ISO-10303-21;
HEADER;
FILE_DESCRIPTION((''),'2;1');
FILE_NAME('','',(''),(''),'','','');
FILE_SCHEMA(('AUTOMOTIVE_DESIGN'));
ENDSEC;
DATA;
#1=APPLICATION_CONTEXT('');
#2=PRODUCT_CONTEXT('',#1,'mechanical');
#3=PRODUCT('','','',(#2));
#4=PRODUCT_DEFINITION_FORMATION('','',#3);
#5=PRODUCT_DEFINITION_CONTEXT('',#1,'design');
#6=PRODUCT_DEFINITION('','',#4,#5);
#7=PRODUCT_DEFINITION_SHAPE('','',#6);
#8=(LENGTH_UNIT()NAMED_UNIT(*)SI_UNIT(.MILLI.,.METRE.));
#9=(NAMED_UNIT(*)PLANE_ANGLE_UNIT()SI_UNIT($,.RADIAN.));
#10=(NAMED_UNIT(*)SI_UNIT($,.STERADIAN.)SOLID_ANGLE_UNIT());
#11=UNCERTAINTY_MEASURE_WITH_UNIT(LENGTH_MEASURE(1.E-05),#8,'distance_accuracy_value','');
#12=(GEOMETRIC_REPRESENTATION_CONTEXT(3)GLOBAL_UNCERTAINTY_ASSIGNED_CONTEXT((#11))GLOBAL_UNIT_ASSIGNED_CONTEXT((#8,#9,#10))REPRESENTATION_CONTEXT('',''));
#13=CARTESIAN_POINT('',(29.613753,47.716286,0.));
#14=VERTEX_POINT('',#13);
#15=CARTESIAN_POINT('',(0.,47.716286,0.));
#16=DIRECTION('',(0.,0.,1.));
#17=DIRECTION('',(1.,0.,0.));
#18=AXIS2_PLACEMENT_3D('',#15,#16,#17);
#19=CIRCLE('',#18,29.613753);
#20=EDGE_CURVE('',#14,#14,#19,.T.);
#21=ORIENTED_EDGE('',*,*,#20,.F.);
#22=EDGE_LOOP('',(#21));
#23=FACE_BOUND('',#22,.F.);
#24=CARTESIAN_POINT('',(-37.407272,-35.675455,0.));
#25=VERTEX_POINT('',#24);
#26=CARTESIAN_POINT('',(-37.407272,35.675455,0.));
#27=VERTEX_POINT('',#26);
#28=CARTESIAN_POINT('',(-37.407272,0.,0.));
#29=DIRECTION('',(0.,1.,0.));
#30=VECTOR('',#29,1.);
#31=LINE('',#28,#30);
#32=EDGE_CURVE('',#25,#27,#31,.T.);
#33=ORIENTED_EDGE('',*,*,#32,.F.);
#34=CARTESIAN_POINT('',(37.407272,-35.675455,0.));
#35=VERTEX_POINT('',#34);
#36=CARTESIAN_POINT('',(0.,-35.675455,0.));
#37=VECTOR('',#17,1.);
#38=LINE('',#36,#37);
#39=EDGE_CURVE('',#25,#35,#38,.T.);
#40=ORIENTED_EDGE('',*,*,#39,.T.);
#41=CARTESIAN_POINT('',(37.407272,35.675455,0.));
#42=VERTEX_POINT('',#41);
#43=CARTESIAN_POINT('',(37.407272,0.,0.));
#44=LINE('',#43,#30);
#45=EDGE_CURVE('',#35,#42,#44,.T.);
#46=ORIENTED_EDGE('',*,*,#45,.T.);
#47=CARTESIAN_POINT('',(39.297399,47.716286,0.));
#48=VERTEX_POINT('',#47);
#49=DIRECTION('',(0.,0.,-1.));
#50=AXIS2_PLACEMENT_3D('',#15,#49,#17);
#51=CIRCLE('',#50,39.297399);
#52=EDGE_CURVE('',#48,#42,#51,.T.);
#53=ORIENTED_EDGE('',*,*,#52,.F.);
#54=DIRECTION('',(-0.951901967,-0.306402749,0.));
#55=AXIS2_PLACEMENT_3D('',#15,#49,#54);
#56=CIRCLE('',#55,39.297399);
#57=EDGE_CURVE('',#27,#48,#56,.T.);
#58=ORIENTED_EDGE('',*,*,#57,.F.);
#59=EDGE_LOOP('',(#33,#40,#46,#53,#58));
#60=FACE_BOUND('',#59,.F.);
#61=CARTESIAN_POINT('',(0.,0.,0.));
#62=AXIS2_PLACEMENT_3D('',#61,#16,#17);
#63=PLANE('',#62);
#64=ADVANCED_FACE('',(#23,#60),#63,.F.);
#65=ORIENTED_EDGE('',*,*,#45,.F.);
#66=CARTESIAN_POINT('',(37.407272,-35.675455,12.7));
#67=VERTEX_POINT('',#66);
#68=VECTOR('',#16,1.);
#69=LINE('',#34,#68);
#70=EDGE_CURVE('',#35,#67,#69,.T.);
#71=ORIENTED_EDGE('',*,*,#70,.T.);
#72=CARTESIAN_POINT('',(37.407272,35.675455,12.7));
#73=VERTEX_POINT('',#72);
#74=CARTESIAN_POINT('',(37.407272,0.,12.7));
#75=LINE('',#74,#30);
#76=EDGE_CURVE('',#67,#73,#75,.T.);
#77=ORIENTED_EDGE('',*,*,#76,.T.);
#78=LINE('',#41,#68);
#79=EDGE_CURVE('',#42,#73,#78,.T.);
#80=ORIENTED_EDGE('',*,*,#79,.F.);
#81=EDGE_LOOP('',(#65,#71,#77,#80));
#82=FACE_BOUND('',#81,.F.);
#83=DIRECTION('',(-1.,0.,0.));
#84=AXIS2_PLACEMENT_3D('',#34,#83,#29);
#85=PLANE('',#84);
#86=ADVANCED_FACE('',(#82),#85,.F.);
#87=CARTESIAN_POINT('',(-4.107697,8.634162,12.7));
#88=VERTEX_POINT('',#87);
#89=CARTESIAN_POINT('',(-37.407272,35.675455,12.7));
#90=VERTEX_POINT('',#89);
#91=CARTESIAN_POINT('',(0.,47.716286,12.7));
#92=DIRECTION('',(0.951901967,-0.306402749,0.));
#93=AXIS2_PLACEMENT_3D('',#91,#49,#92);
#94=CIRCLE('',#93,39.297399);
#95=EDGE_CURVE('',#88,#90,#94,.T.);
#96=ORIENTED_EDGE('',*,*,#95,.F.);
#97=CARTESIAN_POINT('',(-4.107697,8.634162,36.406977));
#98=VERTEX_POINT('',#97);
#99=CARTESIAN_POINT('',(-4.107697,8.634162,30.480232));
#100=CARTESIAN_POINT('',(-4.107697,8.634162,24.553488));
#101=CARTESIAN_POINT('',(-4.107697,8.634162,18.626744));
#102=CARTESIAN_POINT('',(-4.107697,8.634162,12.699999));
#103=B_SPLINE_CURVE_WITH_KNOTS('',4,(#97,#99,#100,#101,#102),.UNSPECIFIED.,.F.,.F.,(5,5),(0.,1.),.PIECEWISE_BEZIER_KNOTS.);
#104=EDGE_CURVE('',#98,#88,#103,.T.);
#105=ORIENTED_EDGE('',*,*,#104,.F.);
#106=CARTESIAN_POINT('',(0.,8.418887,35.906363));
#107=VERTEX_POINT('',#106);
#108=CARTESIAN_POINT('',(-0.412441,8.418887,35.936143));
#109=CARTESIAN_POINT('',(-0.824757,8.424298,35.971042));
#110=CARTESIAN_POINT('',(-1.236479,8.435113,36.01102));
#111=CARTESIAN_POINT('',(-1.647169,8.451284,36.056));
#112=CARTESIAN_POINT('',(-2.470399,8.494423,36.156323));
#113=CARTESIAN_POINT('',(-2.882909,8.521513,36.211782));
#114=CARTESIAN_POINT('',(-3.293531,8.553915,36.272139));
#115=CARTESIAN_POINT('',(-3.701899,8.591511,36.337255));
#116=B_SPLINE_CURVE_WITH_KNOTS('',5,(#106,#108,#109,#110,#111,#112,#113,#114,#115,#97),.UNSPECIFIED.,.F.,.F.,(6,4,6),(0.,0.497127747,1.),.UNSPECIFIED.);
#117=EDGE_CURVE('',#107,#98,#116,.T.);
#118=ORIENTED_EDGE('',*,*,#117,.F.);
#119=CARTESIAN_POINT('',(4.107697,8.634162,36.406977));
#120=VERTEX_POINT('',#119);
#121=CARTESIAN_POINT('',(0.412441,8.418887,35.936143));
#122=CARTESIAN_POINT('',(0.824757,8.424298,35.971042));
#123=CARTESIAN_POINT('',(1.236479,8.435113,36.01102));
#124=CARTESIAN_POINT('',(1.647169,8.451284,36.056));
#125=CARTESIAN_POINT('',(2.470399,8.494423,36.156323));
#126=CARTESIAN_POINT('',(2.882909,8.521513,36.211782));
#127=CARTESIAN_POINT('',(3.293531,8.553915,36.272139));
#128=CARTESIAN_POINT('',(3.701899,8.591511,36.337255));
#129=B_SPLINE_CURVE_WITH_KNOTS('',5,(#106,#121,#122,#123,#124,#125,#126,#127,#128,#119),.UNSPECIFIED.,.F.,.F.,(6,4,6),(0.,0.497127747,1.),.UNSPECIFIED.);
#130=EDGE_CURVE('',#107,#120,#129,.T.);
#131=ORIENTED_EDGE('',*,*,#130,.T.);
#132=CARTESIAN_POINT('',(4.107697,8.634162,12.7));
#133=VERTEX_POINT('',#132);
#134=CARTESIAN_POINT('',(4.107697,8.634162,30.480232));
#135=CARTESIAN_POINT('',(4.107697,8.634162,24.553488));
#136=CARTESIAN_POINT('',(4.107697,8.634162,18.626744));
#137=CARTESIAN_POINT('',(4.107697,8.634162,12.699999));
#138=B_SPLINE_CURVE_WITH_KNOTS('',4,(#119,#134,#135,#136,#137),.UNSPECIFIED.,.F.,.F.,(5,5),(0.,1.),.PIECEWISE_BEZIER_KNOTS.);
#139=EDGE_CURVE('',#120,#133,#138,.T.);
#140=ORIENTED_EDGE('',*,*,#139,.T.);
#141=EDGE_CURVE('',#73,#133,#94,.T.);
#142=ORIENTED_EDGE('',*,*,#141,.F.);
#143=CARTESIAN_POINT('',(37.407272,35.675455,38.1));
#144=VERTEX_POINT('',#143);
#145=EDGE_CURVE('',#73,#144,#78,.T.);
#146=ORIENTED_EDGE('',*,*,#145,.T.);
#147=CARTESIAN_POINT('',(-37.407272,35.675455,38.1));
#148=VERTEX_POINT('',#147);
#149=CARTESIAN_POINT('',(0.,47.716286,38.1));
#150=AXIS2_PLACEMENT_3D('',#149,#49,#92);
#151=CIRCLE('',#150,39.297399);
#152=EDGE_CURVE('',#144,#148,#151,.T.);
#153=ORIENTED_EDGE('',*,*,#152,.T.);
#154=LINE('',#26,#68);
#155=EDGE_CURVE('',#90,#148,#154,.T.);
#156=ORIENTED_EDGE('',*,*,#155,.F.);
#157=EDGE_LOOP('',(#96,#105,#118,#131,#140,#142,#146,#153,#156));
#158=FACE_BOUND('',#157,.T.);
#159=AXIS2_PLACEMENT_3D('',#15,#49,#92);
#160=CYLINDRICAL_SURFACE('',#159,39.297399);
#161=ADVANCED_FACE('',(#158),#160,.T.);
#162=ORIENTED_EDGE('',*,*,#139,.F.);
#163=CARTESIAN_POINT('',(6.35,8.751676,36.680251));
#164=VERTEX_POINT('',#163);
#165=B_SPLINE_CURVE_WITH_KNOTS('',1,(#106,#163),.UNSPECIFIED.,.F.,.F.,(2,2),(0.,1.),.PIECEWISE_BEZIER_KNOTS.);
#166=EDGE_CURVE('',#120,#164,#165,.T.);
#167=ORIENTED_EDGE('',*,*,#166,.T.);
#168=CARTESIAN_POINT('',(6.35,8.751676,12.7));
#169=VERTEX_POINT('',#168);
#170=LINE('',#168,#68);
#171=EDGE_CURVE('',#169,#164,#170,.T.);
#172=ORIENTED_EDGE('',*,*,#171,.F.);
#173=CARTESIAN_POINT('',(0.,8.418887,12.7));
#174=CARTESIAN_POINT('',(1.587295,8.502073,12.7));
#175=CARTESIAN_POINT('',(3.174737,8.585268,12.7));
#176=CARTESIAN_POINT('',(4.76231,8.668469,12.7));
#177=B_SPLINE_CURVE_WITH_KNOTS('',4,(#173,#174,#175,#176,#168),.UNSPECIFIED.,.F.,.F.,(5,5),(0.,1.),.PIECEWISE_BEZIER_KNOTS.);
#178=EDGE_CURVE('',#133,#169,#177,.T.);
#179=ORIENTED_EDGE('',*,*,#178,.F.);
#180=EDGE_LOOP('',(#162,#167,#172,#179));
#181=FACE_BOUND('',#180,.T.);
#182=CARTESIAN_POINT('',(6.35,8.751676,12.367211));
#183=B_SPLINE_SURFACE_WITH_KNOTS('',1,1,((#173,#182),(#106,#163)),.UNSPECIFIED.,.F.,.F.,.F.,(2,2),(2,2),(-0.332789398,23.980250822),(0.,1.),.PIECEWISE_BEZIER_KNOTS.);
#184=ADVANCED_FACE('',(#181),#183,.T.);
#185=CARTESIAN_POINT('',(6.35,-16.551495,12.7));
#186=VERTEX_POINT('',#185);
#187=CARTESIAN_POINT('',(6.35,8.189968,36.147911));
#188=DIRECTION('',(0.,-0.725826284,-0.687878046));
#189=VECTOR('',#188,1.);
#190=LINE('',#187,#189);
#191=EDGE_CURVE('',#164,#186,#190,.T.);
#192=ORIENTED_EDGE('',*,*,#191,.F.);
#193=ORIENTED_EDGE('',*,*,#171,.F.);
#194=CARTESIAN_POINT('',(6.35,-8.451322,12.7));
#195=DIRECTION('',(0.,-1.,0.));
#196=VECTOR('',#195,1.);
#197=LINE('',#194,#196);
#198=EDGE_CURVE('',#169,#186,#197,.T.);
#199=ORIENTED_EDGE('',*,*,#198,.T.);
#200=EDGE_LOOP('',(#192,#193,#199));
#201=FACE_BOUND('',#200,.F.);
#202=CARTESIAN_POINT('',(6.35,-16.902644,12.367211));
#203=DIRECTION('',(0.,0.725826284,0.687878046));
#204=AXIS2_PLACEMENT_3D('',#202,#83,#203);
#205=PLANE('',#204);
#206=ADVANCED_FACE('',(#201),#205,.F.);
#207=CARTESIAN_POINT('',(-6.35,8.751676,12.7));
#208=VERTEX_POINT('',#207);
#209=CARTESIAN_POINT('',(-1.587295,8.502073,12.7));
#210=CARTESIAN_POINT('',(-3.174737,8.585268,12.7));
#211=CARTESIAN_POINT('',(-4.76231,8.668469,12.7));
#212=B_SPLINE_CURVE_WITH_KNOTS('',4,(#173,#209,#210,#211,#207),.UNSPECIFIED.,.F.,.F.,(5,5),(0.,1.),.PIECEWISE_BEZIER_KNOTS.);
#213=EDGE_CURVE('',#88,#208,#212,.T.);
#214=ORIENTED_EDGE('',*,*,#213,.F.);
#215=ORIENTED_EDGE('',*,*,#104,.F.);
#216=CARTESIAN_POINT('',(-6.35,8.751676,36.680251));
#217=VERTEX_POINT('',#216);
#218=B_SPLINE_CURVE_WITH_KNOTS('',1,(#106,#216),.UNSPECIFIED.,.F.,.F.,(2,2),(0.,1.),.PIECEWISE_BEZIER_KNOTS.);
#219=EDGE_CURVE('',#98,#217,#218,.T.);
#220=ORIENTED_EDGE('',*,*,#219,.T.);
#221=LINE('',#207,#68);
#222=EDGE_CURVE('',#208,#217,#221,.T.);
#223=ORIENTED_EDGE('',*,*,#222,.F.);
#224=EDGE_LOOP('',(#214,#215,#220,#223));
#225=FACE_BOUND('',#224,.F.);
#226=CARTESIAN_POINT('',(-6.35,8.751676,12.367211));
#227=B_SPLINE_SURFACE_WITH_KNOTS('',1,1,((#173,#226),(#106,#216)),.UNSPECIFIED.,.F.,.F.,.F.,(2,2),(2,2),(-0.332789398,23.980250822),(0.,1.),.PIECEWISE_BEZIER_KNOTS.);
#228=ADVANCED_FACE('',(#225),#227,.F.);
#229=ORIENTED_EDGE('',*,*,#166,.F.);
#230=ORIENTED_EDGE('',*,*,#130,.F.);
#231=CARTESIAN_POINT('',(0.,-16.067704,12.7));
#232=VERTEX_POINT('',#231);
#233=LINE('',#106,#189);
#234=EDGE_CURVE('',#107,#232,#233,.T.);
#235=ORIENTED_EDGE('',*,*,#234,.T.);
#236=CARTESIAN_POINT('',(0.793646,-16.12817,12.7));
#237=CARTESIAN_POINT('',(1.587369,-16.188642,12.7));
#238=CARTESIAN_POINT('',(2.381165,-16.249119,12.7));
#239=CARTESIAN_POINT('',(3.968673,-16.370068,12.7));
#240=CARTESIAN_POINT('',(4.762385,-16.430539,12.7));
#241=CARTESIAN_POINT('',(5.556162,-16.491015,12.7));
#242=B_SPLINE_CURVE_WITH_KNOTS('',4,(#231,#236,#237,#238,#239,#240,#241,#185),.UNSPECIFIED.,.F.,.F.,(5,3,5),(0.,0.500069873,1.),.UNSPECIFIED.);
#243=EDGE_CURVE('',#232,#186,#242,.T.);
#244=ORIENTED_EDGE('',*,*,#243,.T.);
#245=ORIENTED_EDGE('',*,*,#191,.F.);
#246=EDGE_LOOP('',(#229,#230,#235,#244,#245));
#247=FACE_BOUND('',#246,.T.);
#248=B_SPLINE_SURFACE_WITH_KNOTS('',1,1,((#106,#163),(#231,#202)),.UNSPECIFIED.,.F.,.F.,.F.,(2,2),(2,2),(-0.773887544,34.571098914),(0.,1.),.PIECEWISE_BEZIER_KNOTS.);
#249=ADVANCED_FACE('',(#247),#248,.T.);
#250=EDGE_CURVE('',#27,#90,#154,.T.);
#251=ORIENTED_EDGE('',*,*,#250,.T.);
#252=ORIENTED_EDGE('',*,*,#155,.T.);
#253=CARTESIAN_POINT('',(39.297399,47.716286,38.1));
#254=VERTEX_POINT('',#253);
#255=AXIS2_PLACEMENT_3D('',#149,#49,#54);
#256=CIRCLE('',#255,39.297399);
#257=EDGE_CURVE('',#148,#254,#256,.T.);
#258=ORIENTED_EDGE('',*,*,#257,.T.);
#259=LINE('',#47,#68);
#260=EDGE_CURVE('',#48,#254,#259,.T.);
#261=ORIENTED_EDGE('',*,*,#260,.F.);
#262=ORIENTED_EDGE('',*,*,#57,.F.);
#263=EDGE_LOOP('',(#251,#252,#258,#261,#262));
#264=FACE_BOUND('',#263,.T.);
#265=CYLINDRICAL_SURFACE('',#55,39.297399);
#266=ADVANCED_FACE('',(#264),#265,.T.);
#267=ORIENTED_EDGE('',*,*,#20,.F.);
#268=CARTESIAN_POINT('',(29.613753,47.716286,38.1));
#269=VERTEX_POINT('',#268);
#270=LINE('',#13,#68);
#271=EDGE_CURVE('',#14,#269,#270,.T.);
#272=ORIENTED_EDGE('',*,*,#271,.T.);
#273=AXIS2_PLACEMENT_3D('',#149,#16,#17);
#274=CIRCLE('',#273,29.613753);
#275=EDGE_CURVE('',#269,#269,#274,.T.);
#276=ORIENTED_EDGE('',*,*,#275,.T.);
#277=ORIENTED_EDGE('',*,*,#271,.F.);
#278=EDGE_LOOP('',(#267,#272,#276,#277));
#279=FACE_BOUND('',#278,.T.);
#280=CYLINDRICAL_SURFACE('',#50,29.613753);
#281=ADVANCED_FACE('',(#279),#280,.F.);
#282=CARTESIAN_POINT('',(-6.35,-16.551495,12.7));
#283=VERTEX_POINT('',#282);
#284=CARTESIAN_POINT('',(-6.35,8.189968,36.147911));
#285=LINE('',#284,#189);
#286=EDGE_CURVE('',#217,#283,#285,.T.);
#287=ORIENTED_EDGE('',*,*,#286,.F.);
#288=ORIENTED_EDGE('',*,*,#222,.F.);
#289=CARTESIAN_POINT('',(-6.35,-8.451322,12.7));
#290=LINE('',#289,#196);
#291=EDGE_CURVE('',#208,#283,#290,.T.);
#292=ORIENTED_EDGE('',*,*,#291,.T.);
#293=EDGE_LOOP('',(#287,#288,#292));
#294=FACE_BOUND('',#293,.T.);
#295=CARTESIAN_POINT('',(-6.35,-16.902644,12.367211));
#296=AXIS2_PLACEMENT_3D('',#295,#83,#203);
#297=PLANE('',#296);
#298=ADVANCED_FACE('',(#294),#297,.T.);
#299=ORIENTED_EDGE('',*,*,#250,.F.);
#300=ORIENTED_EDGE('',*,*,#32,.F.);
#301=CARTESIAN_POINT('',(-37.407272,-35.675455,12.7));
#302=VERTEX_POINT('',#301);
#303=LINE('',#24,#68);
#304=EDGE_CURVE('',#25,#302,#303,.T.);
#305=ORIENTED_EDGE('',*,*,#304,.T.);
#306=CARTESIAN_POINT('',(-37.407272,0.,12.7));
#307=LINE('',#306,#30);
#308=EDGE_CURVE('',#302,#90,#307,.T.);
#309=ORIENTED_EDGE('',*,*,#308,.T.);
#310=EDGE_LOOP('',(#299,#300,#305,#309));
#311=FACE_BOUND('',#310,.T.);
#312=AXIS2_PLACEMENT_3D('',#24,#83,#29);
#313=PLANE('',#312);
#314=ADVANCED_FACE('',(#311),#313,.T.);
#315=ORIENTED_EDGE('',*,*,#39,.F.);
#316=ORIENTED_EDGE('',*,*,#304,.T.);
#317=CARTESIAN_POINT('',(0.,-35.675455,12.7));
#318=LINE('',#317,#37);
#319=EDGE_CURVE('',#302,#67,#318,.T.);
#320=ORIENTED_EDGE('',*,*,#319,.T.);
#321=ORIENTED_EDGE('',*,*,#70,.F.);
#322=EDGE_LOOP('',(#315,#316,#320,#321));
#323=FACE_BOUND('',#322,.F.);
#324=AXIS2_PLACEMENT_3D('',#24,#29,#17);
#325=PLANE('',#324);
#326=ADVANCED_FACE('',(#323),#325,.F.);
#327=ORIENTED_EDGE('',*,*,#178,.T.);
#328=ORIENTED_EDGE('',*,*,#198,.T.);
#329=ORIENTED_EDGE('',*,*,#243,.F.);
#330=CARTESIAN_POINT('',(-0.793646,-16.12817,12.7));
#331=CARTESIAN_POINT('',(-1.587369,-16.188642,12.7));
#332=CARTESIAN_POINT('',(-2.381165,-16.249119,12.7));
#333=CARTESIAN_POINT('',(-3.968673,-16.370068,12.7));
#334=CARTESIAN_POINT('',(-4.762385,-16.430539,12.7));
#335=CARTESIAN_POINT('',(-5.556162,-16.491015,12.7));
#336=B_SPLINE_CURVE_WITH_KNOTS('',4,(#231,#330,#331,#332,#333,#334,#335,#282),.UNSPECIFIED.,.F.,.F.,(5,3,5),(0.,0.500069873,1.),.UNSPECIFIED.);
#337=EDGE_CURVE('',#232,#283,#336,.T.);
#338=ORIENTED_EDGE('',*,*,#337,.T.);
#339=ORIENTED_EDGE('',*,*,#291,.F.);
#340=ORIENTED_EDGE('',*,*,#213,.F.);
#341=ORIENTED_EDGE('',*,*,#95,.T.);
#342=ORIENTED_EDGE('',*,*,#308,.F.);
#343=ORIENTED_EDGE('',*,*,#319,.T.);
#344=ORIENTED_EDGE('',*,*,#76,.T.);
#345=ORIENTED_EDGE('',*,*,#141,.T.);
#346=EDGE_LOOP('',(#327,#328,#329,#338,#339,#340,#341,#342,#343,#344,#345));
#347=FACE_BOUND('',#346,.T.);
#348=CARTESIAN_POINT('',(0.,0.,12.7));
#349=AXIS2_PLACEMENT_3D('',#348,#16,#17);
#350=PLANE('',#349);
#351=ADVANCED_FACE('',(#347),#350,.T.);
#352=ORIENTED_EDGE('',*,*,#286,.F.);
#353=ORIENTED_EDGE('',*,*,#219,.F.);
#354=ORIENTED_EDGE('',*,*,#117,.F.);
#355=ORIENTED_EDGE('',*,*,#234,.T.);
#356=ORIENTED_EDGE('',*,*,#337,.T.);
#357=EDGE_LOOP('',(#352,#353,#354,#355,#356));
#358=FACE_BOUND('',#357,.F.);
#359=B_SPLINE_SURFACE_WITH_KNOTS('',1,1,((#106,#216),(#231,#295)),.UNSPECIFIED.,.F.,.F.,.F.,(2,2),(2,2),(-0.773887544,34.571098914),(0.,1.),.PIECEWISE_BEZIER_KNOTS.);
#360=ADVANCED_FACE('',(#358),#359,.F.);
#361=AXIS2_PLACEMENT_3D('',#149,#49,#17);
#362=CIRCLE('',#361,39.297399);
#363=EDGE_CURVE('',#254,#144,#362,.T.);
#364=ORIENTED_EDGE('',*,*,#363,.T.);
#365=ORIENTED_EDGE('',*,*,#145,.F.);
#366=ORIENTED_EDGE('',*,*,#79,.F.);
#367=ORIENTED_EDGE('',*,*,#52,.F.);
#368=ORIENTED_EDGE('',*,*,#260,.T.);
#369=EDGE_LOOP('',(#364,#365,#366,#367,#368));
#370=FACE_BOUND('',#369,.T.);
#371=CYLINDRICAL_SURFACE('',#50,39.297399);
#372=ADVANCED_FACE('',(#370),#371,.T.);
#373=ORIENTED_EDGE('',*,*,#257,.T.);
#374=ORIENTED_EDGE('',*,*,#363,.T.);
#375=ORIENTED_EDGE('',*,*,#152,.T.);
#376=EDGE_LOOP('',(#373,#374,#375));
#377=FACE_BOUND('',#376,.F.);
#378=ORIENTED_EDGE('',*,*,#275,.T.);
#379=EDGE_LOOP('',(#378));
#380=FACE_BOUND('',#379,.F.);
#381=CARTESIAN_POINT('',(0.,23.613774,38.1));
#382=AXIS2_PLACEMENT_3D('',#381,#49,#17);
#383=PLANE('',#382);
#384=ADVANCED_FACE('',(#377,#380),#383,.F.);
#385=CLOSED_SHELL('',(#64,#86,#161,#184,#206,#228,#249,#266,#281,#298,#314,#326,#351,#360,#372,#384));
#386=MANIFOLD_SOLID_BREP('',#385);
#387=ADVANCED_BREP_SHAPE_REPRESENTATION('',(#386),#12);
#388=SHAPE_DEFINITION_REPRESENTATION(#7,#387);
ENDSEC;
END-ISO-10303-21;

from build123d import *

# Parameters (mm, degrees)
F0_W     = 74.814543128
F0_H     = 71.3509097695
F1_DEPTH = 12.7
F3_DEPTH = 38.1
F4_DEPTH = 38.1
F6_DEPTH = 6.35
F6_TAPER = -3


with BuildPart() as f1:
    # F0 (on Top) → F1 (new body)
    with BuildSketch(Plane.XY):
        Rectangle(F0_W, F0_H)
    extrude(amount=F1_DEPTH)

    # F2 (on face) → F3 (join)
    with BuildSketch(Plane(origin=(0, 0, 0), x_dir=(1, 0, 0), z_dir=(0, 0, -1))):
        with BuildLine():
            Line((27.0553643694, -35.6754548848), (37.407271564, -35.6754548848))
            ThreePointArc((37.407271564, -35.6754548848), (0, -8.418886875), (-37.407271564, -35.6754548848))
            Line((-37.407271564, -35.6754548848), (-27.0553643694, -35.6754548848))
            ThreePointArc((-27.0553643694, -35.6754548848), (0, -18.1025332163), (27.0553643694, -35.6754548848))
        make_face()
        with BuildLine():
            ThreePointArc((-37.407271564, -35.6754548848), (-6.0941405685, -86.5382776277), (39.2973991584, -47.7162860334))
            ThreePointArc((39.2973991584, -47.7162860334), (38.8219915943, -41.6221454649), (37.407271564, -35.6754548848))
            Line((37.407271564, -35.6754548848), (27.0553643694, -35.6754548848))
            ThreePointArc((27.0553643694, -35.6754548848), (28.9670953732, -41.5614715317), (29.6137528171, -47.7162860334))
            ThreePointArc((29.6137528171, -47.7162860334), (-6.1548145016, -76.6833814066), (-27.0553643694, -35.6754548848))
            Line((-27.0553643694, -35.6754548848), (-37.407271564, -35.6754548848))
        make_face()
    extrude(amount=-F3_DEPTH)

    # F4 (cut, symmetric): a face of the model
    f4_faces = [f1.faces().sort_by_distance(p)[0] for p in [
        (0, 28.4298339612, 12.7),
    ]]
    extrude(f4_faces, amount=F4_DEPTH, both=True, mode=Mode.SUBTRACT)

    # F5 (on Right) → F6 (join, symmetric)
    with BuildSketch(Plane.YZ):
        Polygon((-16.0677041858, 12.7), (8.418886875, 12.7), (8.418886875, 35.9063632786), align=None)
    extrude(amount=F6_DEPTH, both=True, taper=F6_TAPER)


solid = f1.part
